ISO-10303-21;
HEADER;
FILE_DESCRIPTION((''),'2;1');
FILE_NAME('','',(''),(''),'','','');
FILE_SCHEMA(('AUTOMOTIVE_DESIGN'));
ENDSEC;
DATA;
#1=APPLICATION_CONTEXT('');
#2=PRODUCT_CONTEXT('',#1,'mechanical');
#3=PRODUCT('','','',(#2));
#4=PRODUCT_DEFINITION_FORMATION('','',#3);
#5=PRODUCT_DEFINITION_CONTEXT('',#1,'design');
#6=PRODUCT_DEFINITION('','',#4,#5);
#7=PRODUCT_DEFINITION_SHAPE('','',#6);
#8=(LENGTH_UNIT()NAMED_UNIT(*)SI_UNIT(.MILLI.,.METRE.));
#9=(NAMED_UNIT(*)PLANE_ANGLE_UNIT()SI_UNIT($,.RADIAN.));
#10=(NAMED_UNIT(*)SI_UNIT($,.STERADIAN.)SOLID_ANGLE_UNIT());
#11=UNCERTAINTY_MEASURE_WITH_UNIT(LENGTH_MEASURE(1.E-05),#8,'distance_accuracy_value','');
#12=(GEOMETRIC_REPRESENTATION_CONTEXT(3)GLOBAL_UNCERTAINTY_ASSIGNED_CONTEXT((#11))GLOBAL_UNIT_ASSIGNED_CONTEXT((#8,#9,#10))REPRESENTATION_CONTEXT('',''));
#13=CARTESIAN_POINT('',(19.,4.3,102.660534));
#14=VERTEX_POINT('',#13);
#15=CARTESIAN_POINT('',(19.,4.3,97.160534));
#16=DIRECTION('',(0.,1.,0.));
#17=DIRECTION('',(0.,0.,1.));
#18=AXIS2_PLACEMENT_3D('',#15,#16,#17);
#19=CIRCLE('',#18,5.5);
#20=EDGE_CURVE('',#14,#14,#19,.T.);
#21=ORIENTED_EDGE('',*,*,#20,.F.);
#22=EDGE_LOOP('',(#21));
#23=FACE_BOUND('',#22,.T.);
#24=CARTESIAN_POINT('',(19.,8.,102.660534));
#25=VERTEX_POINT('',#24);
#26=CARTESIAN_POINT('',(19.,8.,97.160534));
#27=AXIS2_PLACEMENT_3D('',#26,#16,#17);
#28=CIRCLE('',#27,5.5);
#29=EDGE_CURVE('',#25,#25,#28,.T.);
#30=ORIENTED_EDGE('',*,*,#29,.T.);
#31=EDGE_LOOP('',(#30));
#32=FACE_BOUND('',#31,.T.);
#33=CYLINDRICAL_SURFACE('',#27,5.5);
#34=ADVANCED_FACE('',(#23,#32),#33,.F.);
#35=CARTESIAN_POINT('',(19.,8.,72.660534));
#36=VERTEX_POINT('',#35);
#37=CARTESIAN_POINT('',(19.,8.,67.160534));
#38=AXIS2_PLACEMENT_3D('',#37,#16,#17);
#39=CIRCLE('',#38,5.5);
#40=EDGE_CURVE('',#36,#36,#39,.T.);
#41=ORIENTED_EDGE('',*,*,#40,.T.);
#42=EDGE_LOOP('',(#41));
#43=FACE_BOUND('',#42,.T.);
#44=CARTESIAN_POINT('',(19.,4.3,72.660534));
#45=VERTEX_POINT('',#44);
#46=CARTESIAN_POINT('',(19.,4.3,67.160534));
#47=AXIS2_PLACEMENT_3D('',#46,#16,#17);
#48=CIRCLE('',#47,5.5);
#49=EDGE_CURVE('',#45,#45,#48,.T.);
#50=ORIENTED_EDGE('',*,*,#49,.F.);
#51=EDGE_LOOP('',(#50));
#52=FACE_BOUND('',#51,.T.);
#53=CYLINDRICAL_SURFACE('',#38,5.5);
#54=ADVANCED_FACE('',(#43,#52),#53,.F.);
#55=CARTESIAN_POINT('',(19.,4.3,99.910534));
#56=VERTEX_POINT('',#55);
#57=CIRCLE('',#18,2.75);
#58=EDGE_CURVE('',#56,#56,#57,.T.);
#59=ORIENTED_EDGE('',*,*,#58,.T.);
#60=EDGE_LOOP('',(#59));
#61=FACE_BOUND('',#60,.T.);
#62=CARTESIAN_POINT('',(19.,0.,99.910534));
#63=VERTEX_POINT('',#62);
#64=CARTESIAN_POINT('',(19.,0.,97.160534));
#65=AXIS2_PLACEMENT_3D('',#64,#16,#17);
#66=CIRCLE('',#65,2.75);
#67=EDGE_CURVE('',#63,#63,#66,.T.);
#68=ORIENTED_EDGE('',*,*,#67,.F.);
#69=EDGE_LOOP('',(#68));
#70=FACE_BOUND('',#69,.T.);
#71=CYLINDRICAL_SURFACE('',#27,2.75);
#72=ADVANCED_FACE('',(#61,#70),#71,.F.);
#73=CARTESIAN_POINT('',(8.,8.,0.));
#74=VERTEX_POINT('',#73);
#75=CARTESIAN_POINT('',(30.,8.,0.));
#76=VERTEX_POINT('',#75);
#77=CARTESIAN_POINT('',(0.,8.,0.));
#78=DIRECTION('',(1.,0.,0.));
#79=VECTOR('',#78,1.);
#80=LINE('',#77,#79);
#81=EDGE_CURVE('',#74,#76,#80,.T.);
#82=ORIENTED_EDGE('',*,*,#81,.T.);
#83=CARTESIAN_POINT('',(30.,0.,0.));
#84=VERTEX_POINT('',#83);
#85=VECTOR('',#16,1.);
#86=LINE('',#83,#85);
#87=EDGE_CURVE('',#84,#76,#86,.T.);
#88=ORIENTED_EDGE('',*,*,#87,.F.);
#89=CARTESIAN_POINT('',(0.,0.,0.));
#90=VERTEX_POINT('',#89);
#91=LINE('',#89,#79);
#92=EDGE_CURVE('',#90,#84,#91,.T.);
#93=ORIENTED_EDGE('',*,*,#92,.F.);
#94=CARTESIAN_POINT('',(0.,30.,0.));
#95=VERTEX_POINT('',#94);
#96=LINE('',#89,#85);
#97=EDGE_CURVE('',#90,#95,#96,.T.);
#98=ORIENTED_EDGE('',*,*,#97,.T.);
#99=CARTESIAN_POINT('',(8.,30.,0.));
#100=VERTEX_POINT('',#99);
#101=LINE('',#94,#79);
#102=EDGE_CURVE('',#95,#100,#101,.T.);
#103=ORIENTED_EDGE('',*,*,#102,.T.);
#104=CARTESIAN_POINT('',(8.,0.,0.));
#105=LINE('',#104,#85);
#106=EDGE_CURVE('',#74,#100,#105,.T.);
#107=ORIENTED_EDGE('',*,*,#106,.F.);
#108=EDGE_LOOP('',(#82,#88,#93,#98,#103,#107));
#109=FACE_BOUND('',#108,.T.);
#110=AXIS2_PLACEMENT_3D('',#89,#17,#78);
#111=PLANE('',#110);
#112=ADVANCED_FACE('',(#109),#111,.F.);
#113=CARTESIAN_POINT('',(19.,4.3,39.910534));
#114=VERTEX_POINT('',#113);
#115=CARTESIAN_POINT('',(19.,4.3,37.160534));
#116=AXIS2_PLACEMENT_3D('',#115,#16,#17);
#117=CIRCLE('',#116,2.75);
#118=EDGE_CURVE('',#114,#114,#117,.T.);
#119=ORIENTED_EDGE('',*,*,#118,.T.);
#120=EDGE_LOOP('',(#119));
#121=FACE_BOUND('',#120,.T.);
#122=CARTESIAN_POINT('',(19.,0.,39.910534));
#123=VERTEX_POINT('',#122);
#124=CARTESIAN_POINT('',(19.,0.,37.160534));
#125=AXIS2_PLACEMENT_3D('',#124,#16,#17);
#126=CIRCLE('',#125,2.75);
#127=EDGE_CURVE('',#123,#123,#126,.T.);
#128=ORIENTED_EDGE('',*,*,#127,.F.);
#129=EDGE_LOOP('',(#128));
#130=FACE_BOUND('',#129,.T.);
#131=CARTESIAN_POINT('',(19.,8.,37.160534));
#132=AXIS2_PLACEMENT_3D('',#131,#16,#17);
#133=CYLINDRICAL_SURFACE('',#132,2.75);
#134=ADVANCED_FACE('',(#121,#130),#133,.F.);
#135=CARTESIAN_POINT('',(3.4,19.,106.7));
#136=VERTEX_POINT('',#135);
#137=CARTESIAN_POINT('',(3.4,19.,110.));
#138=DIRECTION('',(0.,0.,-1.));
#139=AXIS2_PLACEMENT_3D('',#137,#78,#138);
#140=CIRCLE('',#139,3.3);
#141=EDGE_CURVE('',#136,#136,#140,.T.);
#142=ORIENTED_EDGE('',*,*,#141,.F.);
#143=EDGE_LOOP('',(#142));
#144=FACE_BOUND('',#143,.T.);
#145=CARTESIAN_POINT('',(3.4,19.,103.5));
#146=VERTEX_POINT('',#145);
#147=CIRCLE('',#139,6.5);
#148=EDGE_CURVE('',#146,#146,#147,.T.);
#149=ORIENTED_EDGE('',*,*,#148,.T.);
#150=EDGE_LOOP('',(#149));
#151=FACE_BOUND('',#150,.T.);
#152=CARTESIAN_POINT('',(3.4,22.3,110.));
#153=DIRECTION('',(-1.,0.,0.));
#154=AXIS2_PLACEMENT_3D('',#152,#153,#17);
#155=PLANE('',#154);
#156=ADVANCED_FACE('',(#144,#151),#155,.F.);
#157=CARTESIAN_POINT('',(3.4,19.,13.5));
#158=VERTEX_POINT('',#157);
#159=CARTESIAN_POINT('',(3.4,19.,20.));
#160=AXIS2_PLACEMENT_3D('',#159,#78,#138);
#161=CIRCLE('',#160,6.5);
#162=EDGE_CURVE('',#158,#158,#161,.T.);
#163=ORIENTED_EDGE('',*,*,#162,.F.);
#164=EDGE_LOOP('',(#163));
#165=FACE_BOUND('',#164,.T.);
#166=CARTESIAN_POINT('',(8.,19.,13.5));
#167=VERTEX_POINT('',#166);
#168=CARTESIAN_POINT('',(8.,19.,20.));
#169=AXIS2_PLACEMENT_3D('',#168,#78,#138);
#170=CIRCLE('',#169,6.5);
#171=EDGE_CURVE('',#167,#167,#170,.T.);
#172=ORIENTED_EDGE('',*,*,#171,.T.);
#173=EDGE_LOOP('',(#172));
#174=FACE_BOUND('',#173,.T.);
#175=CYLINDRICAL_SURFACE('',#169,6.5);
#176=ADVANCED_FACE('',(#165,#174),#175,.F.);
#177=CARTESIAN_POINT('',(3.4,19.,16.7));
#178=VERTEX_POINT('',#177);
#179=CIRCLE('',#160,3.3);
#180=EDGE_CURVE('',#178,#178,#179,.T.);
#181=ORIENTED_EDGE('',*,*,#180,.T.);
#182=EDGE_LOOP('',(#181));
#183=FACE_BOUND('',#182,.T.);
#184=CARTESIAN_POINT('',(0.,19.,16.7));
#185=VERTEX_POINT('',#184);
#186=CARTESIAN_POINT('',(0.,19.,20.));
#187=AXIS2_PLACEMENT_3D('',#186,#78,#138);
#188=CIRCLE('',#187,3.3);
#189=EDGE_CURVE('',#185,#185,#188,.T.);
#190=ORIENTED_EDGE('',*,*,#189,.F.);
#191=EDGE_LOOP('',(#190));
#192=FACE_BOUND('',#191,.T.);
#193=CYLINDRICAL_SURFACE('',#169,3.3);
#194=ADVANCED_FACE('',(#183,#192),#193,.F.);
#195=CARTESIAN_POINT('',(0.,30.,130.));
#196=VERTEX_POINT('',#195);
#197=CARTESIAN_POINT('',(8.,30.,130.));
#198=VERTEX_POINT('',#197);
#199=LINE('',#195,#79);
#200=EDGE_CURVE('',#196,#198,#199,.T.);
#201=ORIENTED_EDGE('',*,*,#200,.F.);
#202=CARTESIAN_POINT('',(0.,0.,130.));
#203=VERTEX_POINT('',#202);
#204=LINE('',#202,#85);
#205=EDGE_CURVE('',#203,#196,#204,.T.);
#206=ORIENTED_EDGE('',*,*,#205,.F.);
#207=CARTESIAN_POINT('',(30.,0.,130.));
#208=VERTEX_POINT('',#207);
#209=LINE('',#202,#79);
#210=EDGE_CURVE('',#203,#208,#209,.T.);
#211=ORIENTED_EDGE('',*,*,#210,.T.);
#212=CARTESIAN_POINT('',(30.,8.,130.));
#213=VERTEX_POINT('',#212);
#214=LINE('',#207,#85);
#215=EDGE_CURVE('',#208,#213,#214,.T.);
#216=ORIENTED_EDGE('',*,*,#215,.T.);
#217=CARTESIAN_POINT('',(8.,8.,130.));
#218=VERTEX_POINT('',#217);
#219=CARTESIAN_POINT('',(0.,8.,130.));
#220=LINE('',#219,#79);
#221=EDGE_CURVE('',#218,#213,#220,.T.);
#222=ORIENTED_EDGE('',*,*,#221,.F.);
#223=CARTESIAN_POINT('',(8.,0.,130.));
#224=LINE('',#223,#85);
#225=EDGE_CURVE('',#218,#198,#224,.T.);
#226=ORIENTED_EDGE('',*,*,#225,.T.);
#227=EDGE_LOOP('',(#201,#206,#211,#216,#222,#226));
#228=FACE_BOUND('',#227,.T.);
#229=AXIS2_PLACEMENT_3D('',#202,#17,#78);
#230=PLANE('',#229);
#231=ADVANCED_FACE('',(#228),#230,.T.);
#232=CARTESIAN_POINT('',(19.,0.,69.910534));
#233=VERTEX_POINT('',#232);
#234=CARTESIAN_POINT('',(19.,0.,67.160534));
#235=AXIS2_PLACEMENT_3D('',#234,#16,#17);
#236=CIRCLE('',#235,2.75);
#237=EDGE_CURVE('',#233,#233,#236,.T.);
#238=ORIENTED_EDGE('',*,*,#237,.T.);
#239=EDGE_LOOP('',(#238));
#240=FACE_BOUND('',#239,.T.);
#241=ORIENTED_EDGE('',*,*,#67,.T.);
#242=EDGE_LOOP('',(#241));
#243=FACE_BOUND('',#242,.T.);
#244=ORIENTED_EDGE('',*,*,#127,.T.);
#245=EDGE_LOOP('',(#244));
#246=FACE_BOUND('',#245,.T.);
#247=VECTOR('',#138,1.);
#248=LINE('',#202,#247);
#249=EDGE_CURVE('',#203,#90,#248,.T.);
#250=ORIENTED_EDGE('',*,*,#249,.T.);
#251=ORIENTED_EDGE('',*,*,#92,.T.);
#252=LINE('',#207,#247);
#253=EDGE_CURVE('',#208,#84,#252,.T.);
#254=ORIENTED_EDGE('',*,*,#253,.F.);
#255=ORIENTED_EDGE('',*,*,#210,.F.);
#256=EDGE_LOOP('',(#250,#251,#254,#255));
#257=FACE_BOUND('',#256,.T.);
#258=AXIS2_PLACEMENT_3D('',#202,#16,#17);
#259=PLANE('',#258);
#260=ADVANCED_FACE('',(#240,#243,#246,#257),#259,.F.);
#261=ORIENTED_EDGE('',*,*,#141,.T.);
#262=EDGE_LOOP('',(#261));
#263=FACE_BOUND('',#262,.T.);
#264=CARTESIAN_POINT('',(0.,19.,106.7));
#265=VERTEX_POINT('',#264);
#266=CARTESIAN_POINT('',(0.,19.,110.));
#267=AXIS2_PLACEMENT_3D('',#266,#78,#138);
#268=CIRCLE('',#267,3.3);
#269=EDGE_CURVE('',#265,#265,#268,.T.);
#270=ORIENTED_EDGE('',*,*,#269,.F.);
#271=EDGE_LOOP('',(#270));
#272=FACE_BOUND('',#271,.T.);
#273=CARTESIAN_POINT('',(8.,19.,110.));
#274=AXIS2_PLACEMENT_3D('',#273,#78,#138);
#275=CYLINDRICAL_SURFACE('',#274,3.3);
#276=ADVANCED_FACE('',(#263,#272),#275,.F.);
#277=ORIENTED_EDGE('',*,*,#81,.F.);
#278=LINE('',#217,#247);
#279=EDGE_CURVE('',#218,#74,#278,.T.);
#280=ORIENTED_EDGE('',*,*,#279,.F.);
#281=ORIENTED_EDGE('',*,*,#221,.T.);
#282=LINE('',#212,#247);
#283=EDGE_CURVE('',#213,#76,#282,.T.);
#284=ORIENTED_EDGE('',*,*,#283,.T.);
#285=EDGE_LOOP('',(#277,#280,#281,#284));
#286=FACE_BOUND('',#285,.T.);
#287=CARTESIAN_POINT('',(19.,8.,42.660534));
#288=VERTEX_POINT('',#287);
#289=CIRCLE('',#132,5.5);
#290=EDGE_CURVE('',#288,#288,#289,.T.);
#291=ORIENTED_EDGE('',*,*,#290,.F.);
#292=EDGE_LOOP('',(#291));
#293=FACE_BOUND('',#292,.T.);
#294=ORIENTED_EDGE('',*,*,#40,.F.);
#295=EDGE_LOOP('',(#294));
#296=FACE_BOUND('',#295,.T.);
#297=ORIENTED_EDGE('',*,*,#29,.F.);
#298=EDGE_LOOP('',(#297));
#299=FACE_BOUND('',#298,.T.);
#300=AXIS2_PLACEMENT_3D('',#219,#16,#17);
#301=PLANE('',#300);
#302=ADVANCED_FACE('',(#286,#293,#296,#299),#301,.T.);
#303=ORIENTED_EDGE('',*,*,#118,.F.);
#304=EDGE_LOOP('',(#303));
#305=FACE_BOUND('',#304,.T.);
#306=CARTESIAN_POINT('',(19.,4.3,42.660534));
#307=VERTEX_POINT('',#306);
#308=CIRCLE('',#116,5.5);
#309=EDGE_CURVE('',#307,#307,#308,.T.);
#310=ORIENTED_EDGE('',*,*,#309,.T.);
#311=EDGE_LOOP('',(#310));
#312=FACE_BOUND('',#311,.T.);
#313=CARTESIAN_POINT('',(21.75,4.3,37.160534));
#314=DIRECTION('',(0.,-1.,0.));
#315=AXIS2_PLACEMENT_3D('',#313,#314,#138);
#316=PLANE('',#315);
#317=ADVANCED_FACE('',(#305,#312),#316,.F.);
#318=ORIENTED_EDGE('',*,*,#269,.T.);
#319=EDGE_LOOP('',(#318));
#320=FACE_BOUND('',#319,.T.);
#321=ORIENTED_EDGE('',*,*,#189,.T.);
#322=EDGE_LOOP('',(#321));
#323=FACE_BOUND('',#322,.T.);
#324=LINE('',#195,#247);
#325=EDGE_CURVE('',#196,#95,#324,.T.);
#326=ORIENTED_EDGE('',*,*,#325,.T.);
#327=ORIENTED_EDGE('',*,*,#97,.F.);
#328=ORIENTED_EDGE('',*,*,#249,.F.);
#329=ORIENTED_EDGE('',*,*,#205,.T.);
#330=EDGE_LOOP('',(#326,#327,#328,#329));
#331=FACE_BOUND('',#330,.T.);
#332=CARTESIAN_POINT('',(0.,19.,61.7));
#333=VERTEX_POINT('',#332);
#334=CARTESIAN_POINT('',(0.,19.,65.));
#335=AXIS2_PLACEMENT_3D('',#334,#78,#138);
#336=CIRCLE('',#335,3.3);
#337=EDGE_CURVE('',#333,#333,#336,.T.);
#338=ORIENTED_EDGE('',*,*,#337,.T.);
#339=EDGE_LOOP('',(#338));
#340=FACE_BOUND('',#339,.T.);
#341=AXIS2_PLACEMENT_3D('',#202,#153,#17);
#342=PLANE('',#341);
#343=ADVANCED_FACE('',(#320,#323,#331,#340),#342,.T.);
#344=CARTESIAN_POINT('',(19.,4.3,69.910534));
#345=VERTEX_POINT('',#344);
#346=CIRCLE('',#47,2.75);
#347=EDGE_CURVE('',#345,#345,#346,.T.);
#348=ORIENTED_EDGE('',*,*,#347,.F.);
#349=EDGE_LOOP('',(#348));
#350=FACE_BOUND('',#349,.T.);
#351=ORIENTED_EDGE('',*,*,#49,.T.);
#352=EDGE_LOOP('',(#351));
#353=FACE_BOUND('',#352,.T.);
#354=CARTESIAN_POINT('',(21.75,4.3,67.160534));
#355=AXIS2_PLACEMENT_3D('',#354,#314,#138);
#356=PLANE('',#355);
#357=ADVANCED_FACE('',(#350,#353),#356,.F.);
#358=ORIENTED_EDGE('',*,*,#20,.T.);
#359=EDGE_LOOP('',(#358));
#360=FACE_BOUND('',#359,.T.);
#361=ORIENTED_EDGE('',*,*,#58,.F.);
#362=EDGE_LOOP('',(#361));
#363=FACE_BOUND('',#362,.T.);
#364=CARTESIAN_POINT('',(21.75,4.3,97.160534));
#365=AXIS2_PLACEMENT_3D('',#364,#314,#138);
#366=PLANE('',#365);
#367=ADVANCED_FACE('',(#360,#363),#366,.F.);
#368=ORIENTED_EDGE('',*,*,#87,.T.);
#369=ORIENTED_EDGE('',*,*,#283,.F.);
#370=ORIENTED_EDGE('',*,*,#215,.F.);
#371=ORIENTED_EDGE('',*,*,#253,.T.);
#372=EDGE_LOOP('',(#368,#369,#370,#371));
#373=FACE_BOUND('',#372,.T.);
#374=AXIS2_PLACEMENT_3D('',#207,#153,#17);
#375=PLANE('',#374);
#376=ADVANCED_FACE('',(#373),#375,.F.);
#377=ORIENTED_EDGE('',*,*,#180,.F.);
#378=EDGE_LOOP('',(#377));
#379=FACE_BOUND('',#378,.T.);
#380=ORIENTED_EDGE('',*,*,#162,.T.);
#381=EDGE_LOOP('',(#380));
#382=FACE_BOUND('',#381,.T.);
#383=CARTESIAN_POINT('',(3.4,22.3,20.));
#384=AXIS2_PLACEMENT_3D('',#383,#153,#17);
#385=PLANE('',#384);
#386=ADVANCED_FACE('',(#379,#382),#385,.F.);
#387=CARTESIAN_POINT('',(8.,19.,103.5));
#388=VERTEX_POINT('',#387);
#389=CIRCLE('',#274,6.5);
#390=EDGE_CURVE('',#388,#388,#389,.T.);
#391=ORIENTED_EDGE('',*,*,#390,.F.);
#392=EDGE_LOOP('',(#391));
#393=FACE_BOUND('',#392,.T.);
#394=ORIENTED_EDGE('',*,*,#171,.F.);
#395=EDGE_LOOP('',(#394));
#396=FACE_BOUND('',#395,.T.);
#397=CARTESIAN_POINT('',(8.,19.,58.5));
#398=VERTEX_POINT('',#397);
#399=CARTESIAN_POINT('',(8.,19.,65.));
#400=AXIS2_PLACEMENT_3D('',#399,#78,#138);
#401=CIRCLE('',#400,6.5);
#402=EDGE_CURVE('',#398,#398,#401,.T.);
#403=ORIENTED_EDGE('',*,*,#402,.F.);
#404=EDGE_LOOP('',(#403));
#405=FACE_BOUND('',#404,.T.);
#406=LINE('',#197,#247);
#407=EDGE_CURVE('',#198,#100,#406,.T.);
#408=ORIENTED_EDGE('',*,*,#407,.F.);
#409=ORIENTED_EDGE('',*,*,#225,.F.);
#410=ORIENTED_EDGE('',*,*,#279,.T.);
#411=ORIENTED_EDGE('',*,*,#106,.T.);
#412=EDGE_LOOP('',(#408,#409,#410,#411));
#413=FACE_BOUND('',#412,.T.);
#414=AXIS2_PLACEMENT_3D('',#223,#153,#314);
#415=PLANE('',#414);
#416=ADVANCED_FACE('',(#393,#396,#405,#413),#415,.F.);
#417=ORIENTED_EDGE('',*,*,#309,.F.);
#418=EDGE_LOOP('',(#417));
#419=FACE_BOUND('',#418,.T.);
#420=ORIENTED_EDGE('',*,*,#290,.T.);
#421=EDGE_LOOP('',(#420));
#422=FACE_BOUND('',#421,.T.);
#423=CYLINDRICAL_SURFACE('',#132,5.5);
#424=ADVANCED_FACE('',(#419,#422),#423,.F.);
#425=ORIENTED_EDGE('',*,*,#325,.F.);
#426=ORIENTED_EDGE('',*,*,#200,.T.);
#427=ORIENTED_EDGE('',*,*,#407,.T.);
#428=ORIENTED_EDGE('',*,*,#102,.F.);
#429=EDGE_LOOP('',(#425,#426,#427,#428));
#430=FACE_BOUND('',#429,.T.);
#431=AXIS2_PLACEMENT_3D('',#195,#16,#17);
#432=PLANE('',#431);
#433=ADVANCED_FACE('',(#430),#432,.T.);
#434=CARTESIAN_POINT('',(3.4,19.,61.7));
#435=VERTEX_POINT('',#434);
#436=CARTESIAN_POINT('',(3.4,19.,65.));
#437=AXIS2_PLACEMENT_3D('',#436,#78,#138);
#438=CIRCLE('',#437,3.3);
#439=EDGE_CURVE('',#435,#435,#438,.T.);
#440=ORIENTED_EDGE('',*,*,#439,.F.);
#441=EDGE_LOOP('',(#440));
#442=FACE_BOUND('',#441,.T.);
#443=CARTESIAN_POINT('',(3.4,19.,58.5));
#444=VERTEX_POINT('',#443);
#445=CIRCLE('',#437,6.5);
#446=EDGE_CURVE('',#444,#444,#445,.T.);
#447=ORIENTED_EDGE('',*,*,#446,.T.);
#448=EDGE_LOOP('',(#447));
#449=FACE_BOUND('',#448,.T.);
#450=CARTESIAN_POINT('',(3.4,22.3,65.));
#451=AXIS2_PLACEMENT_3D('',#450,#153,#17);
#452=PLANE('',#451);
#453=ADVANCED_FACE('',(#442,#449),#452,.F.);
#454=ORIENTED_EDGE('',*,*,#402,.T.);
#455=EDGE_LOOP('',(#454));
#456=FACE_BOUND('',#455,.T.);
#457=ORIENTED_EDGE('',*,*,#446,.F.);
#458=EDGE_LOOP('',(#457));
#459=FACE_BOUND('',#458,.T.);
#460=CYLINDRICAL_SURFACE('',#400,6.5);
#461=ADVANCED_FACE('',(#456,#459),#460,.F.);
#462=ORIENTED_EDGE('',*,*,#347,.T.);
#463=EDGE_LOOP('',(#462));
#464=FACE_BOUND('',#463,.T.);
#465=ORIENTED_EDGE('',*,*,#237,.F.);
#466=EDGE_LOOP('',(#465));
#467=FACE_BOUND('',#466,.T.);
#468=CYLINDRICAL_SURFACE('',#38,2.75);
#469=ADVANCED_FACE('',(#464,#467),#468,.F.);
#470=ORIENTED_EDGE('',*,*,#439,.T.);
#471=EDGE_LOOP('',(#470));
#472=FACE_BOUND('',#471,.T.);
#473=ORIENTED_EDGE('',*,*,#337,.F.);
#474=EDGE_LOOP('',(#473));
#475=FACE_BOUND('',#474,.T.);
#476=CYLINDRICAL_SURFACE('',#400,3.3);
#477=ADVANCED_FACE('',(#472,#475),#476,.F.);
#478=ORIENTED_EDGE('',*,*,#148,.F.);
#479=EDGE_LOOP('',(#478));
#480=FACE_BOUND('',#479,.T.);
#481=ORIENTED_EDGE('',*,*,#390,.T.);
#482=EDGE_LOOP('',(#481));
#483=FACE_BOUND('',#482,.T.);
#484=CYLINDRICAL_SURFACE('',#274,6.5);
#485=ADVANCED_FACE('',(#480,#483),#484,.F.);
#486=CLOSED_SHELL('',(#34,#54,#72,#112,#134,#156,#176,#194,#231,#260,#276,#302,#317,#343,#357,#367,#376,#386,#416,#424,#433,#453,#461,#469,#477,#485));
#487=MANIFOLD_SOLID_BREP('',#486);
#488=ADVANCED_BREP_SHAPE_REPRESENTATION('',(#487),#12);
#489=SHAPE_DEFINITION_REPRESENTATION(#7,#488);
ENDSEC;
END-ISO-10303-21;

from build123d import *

# Parameters (mm, degrees)
BOSS_EXTRUDE1_DEPTH                      = 130
CBORE_FOR_M5_PAN_HEAD_SCREW1_D           = 5.5
CBORE_FOR_M5_PAN_HEAD_SCREW1_CBORE_D     = 11
CBORE_FOR_M5_PAN_HEAD_SCREW1_CBORE_DEPTH = 3.7
CBORE_FOR_M6_PAN_HEAD_SCREW1_D           = 6.6
CBORE_FOR_M6_PAN_HEAD_SCREW1_CBORE_D     = 13
CBORE_FOR_M6_PAN_HEAD_SCREW1_CBORE_DEPTH = 4.6


with BuildPart() as part:
    # Sketch1 → Boss-Extrude1 (new body)
    with BuildSketch(Plane.XY):
        Polygon((0, 8), (0, 0), (8, 0), (30, 0), (30, 8), (8, 8), (8, 30), (0, 30), align=None)
    extrude(amount=BOSS_EXTRUDE1_DEPTH)

    # CBORE for M5 Pan Head Screw1 (through all)
    with Locations(Plane(origin=(0, 8, 0), x_dir=(1, 0, 0), z_dir=(0, 1, 0))):
        with Locations((19, -67.160533678), (19, -37.160533678), (19, -97.160533678)):
            CounterBoreHole(CBORE_FOR_M5_PAN_HEAD_SCREW1_D / 2, CBORE_FOR_M5_PAN_HEAD_SCREW1_CBORE_D / 2, CBORE_FOR_M5_PAN_HEAD_SCREW1_CBORE_DEPTH)

    # CBORE for M6 Pan Head Screw1 (through all)
    with Locations(Plane(origin=(8, 0, 0), x_dir=(0, 0, -1), z_dir=(1, 0, 0))):
        with Locations((-110, 19), (-65, 19), (-20, 19)):
            CounterBoreHole(CBORE_FOR_M6_PAN_HEAD_SCREW1_D / 2, CBORE_FOR_M6_PAN_HEAD_SCREW1_CBORE_D / 2, CBORE_FOR_M6_PAN_HEAD_SCREW1_CBORE_DEPTH)


solid = part.part
